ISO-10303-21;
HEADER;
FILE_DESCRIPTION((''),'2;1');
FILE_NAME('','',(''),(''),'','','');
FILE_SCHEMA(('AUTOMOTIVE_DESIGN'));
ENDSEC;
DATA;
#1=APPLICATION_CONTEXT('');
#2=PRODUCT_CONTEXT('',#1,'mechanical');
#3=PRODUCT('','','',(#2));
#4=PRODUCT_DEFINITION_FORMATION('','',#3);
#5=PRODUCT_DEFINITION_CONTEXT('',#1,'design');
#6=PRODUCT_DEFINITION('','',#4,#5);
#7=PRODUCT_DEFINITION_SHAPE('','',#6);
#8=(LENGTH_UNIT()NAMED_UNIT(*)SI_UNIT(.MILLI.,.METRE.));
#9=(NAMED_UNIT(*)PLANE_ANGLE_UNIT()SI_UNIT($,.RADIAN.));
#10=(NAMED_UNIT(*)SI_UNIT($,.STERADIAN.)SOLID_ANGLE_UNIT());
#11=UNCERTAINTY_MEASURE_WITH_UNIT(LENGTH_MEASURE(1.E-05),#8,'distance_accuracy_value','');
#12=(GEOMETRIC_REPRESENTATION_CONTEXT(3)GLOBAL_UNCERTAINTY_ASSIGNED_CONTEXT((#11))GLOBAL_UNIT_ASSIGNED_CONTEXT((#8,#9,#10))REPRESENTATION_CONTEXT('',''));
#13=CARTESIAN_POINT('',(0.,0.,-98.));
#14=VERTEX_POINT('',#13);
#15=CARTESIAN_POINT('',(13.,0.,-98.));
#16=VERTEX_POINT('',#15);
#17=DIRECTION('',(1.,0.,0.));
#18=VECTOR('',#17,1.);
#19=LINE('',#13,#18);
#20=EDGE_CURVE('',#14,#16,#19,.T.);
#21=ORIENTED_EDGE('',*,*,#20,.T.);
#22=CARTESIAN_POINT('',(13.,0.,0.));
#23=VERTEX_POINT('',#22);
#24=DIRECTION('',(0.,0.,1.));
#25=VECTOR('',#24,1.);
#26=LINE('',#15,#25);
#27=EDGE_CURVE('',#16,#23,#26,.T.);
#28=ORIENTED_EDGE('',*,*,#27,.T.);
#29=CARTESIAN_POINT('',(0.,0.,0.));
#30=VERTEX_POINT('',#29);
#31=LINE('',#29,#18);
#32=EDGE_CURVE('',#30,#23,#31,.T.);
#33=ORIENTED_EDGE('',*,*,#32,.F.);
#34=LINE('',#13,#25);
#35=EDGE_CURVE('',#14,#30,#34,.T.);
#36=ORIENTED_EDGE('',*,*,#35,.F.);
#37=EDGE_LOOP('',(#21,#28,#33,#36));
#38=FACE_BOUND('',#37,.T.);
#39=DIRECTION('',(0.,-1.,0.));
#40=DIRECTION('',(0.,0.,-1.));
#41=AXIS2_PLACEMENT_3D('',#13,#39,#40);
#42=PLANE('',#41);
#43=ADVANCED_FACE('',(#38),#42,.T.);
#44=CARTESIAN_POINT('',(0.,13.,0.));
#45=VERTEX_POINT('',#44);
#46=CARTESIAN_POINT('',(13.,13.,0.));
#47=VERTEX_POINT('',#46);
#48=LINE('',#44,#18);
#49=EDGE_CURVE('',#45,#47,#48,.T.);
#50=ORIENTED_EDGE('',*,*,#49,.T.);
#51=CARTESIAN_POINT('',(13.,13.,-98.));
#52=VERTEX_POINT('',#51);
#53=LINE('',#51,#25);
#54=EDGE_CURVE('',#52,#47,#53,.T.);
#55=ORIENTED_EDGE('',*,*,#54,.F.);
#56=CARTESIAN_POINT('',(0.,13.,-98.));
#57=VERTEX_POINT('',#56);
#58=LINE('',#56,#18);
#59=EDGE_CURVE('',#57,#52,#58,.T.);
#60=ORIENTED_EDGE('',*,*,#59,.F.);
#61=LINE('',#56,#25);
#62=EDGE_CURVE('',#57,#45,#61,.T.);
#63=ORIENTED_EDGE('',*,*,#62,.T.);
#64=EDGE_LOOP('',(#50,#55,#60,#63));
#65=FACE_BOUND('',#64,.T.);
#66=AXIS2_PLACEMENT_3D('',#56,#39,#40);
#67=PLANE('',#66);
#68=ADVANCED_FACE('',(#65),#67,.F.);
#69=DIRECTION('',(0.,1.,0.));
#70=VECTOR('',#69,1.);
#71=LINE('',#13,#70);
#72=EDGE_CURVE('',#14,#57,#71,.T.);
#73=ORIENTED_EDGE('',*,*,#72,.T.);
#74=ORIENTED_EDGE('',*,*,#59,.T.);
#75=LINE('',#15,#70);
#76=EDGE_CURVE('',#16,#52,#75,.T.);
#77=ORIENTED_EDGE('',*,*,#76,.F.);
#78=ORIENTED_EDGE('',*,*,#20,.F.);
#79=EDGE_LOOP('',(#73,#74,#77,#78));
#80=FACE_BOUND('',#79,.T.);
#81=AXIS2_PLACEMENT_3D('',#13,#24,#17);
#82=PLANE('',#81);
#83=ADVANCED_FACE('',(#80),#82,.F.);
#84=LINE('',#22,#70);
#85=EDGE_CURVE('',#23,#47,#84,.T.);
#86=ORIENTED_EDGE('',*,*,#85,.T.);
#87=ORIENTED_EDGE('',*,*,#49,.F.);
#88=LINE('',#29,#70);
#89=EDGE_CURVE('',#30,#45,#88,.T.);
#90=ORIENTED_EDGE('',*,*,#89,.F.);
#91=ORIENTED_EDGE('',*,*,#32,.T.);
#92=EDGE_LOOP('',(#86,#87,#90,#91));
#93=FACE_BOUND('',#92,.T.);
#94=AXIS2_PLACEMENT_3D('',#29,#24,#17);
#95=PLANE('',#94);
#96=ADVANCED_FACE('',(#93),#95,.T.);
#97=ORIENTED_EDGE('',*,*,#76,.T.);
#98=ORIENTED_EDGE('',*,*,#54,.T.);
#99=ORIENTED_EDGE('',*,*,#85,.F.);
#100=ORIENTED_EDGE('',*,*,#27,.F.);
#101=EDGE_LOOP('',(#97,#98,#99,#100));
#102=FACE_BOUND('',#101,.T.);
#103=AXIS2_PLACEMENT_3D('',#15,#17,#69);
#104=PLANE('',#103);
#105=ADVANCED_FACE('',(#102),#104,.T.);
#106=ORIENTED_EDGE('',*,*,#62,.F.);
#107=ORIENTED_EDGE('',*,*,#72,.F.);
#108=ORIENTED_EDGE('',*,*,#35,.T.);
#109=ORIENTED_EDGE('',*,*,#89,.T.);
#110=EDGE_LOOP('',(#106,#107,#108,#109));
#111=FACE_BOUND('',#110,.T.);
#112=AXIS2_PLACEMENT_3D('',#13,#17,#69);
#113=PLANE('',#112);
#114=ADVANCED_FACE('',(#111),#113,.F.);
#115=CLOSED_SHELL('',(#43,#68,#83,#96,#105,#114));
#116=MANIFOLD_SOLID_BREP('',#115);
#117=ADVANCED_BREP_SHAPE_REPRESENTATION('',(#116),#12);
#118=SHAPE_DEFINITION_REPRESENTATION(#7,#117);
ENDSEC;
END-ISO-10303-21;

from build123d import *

# Parameters (mm, degrees)
SKETCH1_W           = 13
SKETCH1_H           = 13
BOSS_EXTRUDE1_DEPTH = 98


with BuildPart() as part:
    # Sketch1 → Boss-Extrude1 (new body)
    with BuildSketch(Plane.XY):
        with Locations((6.5, 6.5)):
            Rectangle(SKETCH1_W, SKETCH1_H)
    extrude(amount=-BOSS_EXTRUDE1_DEPTH)


solid = part.part
